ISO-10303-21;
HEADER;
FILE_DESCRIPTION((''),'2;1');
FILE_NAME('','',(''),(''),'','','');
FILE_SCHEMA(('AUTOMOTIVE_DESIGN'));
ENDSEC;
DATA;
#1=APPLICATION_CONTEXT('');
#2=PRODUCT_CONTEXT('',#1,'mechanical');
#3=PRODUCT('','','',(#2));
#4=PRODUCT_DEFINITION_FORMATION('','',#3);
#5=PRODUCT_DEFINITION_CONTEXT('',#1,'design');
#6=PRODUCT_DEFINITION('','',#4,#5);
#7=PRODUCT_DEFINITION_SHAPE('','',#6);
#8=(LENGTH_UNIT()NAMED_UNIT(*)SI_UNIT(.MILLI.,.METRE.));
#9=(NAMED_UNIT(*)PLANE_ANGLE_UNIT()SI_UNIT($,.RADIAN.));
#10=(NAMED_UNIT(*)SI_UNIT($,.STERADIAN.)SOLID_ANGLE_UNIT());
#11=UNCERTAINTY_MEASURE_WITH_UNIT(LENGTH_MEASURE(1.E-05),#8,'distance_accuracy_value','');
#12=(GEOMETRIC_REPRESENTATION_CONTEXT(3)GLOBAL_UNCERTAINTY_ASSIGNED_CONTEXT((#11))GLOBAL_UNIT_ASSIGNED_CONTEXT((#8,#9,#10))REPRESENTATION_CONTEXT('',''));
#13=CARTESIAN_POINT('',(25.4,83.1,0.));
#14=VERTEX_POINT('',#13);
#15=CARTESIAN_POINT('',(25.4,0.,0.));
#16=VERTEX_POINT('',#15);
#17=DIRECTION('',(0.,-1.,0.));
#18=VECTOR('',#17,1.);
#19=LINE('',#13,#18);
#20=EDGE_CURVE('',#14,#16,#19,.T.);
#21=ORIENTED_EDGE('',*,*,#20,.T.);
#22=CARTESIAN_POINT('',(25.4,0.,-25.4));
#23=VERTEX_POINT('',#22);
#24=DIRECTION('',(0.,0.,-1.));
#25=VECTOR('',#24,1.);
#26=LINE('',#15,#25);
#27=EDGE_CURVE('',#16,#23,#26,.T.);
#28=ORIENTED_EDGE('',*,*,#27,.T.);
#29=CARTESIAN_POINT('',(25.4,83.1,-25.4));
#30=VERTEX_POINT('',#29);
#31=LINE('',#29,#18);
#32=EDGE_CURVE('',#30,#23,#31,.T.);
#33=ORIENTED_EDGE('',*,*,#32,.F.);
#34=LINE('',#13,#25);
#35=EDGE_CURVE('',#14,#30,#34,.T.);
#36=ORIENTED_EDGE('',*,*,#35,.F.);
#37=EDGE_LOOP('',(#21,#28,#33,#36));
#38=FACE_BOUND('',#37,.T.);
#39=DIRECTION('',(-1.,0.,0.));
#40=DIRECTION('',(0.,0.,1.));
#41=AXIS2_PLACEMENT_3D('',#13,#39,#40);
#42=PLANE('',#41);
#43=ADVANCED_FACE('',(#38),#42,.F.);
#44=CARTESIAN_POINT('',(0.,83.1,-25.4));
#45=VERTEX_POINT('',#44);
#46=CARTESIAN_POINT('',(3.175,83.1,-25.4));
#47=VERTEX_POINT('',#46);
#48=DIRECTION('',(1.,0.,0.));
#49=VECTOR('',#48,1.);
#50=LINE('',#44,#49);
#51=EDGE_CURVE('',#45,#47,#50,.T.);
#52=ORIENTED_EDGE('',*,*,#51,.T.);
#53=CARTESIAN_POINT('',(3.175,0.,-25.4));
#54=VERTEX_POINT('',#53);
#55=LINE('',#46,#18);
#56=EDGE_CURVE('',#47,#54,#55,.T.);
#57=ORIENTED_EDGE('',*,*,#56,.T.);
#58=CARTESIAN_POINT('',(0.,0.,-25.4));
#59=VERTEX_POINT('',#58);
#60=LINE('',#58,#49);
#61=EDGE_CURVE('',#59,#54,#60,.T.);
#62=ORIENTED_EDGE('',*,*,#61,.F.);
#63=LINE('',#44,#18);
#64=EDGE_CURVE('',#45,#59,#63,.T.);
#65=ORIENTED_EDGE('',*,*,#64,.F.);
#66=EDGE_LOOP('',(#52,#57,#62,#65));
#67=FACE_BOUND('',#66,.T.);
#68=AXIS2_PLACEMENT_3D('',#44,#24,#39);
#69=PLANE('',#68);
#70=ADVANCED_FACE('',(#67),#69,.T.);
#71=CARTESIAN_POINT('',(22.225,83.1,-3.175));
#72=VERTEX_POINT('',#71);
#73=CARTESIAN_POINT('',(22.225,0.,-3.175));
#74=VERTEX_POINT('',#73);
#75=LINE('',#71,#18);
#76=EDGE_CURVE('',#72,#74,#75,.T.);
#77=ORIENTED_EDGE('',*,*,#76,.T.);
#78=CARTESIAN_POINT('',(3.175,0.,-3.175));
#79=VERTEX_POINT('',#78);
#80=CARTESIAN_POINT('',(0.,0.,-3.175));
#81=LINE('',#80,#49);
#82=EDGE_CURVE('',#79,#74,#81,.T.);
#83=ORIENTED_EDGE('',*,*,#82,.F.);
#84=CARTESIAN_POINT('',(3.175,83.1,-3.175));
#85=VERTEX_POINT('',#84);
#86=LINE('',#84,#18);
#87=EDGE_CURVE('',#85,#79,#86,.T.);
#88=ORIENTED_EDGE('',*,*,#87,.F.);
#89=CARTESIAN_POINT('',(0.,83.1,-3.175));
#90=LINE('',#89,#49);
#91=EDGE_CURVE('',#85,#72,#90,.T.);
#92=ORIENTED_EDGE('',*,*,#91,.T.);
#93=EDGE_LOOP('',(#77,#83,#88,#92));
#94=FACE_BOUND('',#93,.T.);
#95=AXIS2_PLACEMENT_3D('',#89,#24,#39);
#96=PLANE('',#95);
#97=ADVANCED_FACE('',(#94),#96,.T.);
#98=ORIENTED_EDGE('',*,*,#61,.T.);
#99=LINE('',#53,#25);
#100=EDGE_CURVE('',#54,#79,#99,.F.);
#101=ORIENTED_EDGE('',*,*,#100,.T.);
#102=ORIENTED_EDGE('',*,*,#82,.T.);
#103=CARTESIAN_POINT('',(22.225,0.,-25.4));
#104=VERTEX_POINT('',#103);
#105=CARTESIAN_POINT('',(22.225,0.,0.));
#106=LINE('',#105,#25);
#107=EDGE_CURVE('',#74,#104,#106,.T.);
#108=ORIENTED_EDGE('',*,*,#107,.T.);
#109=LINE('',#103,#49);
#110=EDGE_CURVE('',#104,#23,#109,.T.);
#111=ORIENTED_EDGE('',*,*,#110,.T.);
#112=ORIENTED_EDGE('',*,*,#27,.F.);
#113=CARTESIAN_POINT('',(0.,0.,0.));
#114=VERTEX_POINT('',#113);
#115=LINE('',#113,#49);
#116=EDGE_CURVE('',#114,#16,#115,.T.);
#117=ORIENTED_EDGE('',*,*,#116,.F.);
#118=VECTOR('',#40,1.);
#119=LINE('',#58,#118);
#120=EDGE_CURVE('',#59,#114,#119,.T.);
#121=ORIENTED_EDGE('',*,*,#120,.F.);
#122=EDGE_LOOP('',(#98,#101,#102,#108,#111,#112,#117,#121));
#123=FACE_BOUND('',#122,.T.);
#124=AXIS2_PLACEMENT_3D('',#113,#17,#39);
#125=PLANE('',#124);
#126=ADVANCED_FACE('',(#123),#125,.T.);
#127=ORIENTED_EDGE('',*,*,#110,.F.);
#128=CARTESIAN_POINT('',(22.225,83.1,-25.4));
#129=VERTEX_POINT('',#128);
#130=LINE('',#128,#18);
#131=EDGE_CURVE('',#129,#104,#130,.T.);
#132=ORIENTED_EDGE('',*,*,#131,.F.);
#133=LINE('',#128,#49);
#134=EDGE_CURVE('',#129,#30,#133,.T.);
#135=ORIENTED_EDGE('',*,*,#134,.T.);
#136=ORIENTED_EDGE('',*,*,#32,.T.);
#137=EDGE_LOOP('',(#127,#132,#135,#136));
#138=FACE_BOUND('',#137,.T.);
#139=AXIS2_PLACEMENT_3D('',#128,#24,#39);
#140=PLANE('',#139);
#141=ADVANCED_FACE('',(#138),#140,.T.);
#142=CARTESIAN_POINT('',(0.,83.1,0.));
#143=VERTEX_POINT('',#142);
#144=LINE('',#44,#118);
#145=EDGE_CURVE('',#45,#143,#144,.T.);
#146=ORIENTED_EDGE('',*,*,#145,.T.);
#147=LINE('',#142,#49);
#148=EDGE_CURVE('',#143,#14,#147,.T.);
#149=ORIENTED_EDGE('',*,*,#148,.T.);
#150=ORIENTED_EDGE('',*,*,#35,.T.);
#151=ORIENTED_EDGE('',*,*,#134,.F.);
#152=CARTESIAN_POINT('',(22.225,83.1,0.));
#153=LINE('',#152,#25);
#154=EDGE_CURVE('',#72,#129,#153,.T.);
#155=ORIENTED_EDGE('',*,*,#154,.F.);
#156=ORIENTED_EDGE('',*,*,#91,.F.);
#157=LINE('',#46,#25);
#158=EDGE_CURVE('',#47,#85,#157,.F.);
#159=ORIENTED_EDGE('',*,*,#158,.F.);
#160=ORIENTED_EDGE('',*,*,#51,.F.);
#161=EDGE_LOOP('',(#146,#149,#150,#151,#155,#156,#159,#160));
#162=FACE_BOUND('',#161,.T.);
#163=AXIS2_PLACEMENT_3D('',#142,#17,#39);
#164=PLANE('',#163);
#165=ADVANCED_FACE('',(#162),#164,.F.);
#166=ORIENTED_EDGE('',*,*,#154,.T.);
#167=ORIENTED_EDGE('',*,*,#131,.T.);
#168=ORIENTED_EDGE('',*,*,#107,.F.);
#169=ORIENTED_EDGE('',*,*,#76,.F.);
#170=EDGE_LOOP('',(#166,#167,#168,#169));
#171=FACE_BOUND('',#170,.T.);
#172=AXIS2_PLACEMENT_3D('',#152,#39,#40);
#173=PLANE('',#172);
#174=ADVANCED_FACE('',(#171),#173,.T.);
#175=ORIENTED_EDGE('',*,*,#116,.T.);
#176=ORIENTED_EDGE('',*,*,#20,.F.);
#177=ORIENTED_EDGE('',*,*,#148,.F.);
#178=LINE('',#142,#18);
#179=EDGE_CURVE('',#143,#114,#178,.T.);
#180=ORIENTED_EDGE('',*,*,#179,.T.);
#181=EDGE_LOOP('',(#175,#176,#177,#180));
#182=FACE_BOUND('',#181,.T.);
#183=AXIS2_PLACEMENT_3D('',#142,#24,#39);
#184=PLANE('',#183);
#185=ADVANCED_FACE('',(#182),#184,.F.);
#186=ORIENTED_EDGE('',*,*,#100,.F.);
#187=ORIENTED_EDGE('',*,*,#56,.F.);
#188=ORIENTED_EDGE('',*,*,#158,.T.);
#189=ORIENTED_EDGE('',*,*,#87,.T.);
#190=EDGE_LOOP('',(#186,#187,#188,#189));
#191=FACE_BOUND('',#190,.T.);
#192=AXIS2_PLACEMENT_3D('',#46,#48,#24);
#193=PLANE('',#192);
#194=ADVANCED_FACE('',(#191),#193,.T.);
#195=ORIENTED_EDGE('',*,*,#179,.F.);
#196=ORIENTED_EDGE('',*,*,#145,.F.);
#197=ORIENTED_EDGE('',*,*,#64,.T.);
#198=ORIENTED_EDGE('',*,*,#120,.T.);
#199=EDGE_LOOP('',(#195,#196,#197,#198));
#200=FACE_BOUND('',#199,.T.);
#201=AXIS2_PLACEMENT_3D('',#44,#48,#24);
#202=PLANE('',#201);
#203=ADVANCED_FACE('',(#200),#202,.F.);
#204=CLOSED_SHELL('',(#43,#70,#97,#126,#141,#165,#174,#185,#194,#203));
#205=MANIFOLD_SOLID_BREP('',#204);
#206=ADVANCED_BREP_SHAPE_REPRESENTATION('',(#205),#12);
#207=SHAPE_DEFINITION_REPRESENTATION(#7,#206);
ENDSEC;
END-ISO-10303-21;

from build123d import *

# Parameters (mm, degrees)
EXTRUDE_THIN1_DEPTH = 83.1


with BuildPart() as part:
    # Sketch1 → Extrude-Thin1 (new body)
    with BuildSketch(Plane(origin=(0, 0, 0), x_dir=(1, 0, 0), z_dir=(0, 1, 0))):
        Polygon((0, 25.4), (0, 0), (25.4, 0), (25.4, 25.4), (22.225, 25.4), (22.225, 3.175), (3.175, 3.175), (3.175, 25.4), align=None)
    extrude(amount=EXTRUDE_THIN1_DEPTH)


solid = part.part
